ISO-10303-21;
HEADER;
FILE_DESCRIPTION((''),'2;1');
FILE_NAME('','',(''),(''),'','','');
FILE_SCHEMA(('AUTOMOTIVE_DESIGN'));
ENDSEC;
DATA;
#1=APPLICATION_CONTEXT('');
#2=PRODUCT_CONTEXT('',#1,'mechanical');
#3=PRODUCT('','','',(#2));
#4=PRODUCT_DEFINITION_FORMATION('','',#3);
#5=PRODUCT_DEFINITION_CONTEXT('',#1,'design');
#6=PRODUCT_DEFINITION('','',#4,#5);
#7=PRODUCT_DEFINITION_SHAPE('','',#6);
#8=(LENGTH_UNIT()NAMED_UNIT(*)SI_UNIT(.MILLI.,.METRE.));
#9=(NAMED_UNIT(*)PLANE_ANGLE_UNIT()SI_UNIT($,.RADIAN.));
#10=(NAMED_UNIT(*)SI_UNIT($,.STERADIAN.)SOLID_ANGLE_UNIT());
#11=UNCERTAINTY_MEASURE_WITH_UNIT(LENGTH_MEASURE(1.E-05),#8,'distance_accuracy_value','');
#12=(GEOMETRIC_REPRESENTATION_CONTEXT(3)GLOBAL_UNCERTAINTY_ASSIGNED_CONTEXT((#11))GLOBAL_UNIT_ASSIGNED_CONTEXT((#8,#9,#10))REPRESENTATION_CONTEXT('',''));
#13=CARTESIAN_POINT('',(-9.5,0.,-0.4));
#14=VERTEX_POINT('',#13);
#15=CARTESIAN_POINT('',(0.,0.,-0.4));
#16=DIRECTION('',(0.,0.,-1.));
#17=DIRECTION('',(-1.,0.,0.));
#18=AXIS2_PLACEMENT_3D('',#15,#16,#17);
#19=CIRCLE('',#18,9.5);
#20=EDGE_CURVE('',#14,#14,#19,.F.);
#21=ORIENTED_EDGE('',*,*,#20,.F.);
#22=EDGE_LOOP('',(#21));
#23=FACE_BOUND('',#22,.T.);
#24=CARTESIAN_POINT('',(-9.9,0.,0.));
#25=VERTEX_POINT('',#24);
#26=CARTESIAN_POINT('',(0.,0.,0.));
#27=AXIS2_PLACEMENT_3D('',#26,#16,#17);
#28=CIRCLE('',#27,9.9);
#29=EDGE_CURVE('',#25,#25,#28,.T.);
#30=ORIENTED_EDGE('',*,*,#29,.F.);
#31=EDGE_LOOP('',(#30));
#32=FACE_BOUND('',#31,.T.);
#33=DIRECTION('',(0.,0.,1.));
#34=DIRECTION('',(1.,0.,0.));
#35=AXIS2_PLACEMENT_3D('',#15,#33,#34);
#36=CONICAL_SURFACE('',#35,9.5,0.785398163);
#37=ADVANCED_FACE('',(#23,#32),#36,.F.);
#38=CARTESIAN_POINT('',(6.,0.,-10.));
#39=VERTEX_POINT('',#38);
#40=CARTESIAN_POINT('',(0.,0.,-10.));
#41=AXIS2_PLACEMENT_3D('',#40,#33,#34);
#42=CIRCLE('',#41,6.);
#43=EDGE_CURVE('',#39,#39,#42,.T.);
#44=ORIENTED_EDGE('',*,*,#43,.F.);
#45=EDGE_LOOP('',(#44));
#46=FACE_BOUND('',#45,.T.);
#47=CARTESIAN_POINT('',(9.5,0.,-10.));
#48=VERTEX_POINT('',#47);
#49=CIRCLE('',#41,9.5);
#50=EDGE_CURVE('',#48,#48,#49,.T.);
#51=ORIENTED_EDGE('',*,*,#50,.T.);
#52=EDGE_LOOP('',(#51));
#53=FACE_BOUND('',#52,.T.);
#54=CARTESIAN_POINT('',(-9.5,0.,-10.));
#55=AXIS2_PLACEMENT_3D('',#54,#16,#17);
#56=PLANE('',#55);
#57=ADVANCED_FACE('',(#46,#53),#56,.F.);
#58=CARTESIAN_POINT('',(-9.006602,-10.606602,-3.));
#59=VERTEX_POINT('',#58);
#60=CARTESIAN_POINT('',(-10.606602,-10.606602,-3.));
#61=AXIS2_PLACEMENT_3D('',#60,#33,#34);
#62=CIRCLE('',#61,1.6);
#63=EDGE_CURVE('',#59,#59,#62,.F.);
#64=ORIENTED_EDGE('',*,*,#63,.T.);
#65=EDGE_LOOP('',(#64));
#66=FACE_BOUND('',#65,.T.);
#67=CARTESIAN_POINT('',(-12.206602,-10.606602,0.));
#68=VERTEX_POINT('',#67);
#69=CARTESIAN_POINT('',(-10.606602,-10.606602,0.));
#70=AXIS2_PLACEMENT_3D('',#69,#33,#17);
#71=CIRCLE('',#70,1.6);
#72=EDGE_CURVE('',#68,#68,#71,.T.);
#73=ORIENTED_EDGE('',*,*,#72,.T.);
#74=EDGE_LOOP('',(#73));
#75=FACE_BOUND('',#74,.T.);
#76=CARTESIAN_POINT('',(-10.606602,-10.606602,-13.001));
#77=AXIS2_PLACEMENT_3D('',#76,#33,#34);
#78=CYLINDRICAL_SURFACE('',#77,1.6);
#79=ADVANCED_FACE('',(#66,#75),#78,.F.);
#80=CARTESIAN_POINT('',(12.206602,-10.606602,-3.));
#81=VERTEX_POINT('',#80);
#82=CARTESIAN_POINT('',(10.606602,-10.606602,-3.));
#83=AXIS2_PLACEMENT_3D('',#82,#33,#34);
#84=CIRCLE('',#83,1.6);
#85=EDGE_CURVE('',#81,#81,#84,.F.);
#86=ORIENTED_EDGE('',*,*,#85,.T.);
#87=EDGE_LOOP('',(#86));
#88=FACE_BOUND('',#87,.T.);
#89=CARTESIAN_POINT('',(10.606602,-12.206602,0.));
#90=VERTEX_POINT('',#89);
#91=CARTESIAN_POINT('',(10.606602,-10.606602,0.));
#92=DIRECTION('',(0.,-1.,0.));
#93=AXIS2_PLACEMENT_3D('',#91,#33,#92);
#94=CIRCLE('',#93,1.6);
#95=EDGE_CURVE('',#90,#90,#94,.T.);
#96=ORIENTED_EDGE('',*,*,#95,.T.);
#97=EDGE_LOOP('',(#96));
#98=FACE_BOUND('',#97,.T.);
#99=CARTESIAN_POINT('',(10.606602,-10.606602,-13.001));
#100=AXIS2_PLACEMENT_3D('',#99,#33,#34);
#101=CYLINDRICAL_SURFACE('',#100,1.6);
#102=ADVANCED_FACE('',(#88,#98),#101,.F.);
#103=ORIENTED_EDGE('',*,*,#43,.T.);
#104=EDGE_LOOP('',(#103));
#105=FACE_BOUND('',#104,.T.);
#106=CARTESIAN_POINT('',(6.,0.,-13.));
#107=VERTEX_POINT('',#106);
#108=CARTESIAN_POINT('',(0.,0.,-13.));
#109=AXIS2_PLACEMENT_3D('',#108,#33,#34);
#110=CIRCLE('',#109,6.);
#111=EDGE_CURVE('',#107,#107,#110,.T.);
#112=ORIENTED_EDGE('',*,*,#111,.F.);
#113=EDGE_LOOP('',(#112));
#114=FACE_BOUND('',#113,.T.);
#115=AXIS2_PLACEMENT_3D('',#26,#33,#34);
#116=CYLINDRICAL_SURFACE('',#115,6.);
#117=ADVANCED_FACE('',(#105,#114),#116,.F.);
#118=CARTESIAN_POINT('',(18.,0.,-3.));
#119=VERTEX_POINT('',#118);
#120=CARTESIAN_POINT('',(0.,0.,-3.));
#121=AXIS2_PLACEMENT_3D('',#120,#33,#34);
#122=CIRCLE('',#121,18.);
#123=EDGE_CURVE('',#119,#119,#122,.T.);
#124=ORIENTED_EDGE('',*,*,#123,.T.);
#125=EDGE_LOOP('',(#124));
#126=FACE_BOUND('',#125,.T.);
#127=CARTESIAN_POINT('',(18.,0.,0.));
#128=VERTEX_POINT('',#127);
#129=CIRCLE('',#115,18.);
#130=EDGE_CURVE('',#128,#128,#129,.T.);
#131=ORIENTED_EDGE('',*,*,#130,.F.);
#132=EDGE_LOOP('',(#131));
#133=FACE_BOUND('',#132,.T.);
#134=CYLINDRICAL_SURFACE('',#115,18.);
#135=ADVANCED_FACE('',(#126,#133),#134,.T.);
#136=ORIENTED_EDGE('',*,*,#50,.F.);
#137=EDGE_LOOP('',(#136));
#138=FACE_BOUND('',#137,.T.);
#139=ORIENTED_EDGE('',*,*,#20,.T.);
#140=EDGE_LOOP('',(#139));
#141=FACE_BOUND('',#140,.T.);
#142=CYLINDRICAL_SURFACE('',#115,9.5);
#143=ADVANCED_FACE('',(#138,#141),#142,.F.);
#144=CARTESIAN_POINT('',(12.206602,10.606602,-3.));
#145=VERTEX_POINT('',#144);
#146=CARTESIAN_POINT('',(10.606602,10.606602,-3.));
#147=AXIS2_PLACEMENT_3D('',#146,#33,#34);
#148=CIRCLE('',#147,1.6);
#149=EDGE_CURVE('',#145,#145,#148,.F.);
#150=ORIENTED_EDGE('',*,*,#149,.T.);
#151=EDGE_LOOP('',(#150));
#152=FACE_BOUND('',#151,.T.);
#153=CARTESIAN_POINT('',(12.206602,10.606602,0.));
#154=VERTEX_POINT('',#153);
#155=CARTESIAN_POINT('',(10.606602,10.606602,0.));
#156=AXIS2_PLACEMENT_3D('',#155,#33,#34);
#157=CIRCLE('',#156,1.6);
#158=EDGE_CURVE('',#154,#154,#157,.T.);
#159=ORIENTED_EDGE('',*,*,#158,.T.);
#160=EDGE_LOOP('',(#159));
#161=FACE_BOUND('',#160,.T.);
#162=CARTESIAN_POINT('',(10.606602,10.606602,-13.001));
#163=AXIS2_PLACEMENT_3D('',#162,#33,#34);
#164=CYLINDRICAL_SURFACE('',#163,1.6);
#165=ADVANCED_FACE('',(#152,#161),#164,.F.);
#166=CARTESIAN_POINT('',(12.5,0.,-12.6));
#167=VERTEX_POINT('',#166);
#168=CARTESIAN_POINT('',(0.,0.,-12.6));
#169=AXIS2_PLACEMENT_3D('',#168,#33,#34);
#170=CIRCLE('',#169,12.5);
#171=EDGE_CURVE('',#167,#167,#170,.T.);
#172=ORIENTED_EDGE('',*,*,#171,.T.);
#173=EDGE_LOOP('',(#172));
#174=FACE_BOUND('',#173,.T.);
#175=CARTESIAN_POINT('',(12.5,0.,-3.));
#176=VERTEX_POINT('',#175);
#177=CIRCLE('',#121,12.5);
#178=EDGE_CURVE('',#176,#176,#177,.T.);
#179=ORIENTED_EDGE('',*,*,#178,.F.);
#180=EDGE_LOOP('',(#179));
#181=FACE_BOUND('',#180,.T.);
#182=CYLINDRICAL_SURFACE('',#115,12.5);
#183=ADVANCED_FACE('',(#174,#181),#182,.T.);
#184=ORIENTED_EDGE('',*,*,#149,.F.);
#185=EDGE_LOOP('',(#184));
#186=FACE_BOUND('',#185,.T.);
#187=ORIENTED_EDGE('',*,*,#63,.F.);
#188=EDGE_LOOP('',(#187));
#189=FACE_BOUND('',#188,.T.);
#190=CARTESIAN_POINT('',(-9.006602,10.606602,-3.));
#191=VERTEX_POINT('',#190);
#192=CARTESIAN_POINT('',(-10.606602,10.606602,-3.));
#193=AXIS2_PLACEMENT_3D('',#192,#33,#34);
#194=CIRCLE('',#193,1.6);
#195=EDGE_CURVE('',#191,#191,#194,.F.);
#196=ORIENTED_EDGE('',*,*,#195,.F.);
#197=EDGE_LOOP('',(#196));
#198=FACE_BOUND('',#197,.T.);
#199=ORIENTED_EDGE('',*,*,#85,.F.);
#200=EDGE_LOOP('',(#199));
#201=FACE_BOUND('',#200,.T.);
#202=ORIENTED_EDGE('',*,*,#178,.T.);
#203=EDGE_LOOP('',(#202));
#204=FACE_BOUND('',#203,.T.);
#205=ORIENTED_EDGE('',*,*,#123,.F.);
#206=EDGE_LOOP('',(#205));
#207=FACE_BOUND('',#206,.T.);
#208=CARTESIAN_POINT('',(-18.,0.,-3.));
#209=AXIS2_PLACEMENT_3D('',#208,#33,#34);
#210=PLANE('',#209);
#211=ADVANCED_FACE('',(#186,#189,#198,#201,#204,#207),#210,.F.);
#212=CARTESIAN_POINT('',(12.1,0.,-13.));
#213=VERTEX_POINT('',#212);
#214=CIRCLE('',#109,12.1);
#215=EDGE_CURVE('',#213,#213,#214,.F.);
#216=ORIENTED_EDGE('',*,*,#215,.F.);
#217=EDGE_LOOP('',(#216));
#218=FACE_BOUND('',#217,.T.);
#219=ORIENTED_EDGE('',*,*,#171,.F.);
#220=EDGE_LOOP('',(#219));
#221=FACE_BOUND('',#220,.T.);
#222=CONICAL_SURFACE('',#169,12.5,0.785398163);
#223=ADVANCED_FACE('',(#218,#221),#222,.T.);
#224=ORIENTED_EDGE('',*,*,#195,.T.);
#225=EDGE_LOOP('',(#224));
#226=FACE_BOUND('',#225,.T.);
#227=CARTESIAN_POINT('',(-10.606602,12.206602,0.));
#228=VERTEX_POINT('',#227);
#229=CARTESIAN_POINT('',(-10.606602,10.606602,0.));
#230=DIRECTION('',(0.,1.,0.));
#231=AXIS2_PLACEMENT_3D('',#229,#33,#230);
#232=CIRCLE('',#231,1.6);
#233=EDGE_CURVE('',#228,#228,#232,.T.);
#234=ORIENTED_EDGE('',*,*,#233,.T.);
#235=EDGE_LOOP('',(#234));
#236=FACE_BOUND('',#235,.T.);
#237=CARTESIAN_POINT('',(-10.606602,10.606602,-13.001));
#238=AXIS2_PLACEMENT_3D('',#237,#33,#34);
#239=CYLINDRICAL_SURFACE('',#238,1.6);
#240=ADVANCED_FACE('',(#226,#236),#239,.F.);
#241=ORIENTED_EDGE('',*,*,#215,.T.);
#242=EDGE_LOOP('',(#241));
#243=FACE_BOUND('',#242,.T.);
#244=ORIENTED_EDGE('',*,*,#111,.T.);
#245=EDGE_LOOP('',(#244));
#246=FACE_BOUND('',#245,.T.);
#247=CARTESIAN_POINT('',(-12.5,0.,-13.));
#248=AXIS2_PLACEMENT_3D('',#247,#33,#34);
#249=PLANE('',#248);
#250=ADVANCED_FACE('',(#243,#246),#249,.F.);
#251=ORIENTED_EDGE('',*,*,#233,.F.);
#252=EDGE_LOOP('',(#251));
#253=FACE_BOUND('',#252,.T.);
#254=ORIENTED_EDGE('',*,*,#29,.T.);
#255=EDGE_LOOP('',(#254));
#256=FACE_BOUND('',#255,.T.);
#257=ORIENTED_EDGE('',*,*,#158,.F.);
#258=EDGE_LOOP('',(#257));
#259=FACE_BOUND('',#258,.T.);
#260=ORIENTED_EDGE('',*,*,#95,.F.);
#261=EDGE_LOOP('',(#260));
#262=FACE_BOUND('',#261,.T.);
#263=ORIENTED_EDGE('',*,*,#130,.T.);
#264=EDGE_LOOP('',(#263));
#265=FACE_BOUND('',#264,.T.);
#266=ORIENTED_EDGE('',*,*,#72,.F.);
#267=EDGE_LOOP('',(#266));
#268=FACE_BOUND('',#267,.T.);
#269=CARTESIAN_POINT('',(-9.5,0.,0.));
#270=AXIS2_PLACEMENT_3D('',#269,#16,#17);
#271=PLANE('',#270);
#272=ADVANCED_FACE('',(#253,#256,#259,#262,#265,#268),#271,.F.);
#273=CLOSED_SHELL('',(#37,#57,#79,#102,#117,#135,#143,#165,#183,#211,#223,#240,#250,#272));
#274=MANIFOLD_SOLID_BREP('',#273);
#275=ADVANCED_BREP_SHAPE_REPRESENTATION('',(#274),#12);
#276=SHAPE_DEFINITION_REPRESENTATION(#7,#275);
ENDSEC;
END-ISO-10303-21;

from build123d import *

# Parameters (mm, degrees)
SKETCH_2_R               = 1.6
CUT_EXTRUDE_1_DEPTH      = 3
PATTERN_CIRCULAR_1_COUNT = 4
CHAMFER_1_SIZE           = 0.4


with BuildPart() as part:
    # Эскиз1 → Повернуть1 (revolve)
    with BuildSketch(Plane(origin=(0, 0, 0), x_dir=(1, 0, 0), z_dir=(0, 1, 0))):
        Polygon((-18, 0), (-18, 3), (-12.5, 3), (-12.5, 13), (-6, 13), (-6, 10), (-9.5, 10), (-9.5, 0), align=None)
    revolve(axis=Axis((0, 0, 0), (0, 0, -1)))

    # Эскиз2 → Вырез-Вытянуть1 (cut)
    with BuildSketch(Plane.XY):
        with Locations((10.606601718, 10.606601718)):
            Circle(SKETCH_2_R)
    cut_extrude_1 = extrude(amount=-CUT_EXTRUDE_1_DEPTH, mode=Mode.SUBTRACT)

    # Круговой массив1: Вырез-Вытянуть1 ×4 about axis
    pattern_circular_1_axis = Axis((0, 0, 0), (0, 0, 1))
    for i in range(1, PATTERN_CIRCULAR_1_COUNT):
        add(cut_extrude_1.rotate(pattern_circular_1_axis, i * 360 / PATTERN_CIRCULAR_1_COUNT), mode=Mode.SUBTRACT)

    # Фаска1
    chamfer_1_edges = [part.edges().sort_by_distance(p)[0] for p in [
        (9.5, 0, 0),
        (12.5, 0, -13),
    ]]
    chamfer(chamfer_1_edges, length=CHAMFER_1_SIZE)


solid = part.part
